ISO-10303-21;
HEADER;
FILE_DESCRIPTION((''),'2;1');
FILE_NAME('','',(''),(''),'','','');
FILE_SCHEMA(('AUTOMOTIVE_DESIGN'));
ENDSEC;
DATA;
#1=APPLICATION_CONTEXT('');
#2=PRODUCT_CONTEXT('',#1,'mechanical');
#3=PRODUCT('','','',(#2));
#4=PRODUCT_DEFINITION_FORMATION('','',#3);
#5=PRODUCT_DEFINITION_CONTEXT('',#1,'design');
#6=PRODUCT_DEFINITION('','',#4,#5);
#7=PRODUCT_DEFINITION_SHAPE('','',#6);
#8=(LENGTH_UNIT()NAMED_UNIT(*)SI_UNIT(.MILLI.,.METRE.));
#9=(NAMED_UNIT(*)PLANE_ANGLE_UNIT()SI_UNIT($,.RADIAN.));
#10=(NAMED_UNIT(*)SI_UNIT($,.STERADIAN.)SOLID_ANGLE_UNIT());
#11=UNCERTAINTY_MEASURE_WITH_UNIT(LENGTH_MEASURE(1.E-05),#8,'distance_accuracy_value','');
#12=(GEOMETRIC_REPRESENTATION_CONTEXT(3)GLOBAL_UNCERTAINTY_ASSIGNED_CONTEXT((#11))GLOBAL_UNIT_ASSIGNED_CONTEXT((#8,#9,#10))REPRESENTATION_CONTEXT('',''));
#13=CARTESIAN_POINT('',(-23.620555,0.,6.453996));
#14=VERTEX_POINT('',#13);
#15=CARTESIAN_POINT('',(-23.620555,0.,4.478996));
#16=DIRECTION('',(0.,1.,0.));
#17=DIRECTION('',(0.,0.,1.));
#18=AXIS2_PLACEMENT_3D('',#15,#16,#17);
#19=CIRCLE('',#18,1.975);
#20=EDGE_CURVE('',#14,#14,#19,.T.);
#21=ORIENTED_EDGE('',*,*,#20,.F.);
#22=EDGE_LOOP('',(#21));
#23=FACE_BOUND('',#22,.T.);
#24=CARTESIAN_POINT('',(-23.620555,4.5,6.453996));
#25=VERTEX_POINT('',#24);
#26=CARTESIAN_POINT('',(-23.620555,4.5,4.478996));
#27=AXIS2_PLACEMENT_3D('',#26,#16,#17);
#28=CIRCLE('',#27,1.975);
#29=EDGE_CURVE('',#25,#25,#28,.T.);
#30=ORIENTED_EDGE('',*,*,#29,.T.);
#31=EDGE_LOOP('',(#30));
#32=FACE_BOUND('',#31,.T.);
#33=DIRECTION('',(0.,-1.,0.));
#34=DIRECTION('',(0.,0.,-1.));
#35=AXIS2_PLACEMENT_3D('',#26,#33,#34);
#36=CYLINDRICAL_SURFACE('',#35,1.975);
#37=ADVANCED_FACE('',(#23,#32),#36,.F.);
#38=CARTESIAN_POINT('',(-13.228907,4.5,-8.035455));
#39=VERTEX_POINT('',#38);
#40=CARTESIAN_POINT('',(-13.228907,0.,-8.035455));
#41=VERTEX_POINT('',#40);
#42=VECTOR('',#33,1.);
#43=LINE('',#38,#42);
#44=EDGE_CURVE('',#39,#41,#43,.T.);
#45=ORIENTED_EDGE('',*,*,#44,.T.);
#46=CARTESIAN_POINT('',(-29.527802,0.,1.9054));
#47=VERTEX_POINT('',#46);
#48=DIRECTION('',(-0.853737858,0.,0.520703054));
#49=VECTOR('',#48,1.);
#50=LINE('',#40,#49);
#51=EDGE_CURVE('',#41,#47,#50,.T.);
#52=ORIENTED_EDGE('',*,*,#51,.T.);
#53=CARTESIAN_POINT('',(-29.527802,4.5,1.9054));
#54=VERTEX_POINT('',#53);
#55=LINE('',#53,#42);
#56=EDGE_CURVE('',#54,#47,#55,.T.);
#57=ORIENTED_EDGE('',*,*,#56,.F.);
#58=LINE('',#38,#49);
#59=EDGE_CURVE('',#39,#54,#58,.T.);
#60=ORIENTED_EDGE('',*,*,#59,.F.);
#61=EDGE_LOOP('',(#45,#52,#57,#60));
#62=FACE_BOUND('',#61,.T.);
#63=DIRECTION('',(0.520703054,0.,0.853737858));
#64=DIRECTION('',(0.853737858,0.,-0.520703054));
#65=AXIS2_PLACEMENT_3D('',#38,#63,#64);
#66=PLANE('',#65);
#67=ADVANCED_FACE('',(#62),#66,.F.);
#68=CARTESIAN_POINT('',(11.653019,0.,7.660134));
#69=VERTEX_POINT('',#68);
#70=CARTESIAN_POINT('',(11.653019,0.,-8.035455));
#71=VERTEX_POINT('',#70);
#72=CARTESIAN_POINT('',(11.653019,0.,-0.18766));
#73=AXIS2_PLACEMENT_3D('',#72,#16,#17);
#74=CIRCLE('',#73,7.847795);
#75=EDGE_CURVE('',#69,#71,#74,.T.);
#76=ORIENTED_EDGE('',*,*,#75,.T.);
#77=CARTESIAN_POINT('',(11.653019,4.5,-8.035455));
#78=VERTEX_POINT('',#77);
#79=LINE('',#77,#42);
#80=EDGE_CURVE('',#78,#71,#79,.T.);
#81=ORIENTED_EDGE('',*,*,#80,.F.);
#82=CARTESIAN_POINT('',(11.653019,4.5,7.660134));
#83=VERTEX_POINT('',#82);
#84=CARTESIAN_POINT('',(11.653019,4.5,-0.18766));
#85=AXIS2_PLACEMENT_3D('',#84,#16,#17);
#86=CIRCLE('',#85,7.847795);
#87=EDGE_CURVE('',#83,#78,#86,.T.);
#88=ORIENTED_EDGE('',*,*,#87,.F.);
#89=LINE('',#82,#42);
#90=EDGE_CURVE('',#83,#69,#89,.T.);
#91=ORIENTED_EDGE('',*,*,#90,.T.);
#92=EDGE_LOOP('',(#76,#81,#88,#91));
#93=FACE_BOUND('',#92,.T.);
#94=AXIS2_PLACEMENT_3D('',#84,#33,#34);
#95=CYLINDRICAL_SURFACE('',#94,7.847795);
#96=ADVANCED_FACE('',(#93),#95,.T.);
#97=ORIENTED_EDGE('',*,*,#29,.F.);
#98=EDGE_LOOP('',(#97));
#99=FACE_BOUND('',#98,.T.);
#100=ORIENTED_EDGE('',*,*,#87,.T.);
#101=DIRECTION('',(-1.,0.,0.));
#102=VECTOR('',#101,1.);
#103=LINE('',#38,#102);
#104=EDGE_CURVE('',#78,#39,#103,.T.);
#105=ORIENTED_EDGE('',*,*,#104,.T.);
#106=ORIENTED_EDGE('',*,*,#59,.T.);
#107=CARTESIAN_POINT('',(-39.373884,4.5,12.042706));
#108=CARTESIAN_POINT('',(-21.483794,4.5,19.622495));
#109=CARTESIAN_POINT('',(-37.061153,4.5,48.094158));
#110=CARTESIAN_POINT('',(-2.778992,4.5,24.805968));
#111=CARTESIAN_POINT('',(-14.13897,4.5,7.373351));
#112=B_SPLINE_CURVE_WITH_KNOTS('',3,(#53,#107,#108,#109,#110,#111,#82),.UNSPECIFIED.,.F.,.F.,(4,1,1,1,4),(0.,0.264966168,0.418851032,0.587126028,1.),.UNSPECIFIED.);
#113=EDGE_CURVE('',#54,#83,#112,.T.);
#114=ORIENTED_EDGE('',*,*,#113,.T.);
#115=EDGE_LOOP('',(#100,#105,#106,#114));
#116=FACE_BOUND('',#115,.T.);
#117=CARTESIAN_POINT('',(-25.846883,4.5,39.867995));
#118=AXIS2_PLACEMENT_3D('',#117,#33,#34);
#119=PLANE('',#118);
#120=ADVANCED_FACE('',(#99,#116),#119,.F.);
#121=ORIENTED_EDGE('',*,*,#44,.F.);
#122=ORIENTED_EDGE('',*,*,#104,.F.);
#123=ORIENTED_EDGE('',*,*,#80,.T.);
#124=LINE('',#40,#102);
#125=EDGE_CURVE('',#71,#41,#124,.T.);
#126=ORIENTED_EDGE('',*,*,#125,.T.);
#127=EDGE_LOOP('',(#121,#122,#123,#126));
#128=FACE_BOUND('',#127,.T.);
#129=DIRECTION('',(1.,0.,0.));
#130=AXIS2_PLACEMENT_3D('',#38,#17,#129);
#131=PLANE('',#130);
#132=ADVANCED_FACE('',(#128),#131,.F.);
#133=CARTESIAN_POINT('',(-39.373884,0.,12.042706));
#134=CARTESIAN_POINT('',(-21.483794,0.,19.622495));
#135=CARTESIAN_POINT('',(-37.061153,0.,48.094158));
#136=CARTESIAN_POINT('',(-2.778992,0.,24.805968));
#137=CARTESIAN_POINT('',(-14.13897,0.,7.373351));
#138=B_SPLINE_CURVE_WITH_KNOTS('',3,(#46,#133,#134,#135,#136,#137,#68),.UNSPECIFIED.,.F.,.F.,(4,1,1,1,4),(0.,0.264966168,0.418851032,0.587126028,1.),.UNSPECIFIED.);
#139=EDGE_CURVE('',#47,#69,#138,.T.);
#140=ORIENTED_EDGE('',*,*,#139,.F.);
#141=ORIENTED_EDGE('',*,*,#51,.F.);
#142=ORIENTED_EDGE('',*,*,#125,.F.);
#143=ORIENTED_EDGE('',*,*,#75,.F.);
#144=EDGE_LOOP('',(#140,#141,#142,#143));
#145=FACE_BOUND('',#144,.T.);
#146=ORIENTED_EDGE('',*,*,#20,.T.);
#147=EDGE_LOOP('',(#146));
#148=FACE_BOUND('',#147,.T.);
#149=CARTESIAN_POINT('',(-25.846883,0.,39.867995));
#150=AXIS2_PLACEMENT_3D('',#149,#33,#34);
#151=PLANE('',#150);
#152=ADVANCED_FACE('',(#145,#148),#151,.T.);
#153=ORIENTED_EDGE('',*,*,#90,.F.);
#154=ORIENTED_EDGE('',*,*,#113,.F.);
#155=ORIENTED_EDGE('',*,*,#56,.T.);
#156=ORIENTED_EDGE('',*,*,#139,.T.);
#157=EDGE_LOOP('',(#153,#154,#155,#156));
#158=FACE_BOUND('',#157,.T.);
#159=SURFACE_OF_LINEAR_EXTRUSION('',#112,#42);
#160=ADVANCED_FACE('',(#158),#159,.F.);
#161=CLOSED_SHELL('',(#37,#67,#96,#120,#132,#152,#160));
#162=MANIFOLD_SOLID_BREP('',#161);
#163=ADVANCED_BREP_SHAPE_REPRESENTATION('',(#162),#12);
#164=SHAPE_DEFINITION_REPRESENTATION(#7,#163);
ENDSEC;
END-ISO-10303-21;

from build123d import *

# Parameters (mm, degrees)
SKETCH1_R           = 1.975
BOSS_EXTRUDE1_DEPTH = 4.5


with BuildPart() as part:
    # Sketch1 → Boss-Extrude1 (new body)
    with BuildSketch(Plane(origin=(0, 0, 0), x_dir=(1, 0, 0), z_dir=(0, 1, 0))):
        with BuildLine():
            Line((-13.228906831, 8.035454857), (11.653019328, 8.035454857))
            ThreePointArc((11.653019328, 8.035454857), (19.500813905, 0.18766028), (11.653019328, -7.660134297))
            add(Edge.make_bspline(
                [(-29.52780186, -1.905400328), (-39.373883883, -12.042706391), (-21.483793828, -19.622495207), (-37.061153407, -48.094157894), (-2.778991885, -24.805967723), (-14.138969584, -7.373351198), (11.653019328, -7.660134297)],
                knots=[0, 0, 0, 0, 0.264966168, 0.418851032, 0.587126028, 1, 1, 1, 1], degree=3))
            Line((-29.52780186, -1.905400328), (-13.228906831, 8.035454857))
        make_face()
        with Locations(Location((-23.620555115, -4.478995902, 0), (0, 0, 270))):
            Circle(SKETCH1_R, mode=Mode.SUBTRACT)
    extrude(amount=BOSS_EXTRUDE1_DEPTH)


solid = part.part
